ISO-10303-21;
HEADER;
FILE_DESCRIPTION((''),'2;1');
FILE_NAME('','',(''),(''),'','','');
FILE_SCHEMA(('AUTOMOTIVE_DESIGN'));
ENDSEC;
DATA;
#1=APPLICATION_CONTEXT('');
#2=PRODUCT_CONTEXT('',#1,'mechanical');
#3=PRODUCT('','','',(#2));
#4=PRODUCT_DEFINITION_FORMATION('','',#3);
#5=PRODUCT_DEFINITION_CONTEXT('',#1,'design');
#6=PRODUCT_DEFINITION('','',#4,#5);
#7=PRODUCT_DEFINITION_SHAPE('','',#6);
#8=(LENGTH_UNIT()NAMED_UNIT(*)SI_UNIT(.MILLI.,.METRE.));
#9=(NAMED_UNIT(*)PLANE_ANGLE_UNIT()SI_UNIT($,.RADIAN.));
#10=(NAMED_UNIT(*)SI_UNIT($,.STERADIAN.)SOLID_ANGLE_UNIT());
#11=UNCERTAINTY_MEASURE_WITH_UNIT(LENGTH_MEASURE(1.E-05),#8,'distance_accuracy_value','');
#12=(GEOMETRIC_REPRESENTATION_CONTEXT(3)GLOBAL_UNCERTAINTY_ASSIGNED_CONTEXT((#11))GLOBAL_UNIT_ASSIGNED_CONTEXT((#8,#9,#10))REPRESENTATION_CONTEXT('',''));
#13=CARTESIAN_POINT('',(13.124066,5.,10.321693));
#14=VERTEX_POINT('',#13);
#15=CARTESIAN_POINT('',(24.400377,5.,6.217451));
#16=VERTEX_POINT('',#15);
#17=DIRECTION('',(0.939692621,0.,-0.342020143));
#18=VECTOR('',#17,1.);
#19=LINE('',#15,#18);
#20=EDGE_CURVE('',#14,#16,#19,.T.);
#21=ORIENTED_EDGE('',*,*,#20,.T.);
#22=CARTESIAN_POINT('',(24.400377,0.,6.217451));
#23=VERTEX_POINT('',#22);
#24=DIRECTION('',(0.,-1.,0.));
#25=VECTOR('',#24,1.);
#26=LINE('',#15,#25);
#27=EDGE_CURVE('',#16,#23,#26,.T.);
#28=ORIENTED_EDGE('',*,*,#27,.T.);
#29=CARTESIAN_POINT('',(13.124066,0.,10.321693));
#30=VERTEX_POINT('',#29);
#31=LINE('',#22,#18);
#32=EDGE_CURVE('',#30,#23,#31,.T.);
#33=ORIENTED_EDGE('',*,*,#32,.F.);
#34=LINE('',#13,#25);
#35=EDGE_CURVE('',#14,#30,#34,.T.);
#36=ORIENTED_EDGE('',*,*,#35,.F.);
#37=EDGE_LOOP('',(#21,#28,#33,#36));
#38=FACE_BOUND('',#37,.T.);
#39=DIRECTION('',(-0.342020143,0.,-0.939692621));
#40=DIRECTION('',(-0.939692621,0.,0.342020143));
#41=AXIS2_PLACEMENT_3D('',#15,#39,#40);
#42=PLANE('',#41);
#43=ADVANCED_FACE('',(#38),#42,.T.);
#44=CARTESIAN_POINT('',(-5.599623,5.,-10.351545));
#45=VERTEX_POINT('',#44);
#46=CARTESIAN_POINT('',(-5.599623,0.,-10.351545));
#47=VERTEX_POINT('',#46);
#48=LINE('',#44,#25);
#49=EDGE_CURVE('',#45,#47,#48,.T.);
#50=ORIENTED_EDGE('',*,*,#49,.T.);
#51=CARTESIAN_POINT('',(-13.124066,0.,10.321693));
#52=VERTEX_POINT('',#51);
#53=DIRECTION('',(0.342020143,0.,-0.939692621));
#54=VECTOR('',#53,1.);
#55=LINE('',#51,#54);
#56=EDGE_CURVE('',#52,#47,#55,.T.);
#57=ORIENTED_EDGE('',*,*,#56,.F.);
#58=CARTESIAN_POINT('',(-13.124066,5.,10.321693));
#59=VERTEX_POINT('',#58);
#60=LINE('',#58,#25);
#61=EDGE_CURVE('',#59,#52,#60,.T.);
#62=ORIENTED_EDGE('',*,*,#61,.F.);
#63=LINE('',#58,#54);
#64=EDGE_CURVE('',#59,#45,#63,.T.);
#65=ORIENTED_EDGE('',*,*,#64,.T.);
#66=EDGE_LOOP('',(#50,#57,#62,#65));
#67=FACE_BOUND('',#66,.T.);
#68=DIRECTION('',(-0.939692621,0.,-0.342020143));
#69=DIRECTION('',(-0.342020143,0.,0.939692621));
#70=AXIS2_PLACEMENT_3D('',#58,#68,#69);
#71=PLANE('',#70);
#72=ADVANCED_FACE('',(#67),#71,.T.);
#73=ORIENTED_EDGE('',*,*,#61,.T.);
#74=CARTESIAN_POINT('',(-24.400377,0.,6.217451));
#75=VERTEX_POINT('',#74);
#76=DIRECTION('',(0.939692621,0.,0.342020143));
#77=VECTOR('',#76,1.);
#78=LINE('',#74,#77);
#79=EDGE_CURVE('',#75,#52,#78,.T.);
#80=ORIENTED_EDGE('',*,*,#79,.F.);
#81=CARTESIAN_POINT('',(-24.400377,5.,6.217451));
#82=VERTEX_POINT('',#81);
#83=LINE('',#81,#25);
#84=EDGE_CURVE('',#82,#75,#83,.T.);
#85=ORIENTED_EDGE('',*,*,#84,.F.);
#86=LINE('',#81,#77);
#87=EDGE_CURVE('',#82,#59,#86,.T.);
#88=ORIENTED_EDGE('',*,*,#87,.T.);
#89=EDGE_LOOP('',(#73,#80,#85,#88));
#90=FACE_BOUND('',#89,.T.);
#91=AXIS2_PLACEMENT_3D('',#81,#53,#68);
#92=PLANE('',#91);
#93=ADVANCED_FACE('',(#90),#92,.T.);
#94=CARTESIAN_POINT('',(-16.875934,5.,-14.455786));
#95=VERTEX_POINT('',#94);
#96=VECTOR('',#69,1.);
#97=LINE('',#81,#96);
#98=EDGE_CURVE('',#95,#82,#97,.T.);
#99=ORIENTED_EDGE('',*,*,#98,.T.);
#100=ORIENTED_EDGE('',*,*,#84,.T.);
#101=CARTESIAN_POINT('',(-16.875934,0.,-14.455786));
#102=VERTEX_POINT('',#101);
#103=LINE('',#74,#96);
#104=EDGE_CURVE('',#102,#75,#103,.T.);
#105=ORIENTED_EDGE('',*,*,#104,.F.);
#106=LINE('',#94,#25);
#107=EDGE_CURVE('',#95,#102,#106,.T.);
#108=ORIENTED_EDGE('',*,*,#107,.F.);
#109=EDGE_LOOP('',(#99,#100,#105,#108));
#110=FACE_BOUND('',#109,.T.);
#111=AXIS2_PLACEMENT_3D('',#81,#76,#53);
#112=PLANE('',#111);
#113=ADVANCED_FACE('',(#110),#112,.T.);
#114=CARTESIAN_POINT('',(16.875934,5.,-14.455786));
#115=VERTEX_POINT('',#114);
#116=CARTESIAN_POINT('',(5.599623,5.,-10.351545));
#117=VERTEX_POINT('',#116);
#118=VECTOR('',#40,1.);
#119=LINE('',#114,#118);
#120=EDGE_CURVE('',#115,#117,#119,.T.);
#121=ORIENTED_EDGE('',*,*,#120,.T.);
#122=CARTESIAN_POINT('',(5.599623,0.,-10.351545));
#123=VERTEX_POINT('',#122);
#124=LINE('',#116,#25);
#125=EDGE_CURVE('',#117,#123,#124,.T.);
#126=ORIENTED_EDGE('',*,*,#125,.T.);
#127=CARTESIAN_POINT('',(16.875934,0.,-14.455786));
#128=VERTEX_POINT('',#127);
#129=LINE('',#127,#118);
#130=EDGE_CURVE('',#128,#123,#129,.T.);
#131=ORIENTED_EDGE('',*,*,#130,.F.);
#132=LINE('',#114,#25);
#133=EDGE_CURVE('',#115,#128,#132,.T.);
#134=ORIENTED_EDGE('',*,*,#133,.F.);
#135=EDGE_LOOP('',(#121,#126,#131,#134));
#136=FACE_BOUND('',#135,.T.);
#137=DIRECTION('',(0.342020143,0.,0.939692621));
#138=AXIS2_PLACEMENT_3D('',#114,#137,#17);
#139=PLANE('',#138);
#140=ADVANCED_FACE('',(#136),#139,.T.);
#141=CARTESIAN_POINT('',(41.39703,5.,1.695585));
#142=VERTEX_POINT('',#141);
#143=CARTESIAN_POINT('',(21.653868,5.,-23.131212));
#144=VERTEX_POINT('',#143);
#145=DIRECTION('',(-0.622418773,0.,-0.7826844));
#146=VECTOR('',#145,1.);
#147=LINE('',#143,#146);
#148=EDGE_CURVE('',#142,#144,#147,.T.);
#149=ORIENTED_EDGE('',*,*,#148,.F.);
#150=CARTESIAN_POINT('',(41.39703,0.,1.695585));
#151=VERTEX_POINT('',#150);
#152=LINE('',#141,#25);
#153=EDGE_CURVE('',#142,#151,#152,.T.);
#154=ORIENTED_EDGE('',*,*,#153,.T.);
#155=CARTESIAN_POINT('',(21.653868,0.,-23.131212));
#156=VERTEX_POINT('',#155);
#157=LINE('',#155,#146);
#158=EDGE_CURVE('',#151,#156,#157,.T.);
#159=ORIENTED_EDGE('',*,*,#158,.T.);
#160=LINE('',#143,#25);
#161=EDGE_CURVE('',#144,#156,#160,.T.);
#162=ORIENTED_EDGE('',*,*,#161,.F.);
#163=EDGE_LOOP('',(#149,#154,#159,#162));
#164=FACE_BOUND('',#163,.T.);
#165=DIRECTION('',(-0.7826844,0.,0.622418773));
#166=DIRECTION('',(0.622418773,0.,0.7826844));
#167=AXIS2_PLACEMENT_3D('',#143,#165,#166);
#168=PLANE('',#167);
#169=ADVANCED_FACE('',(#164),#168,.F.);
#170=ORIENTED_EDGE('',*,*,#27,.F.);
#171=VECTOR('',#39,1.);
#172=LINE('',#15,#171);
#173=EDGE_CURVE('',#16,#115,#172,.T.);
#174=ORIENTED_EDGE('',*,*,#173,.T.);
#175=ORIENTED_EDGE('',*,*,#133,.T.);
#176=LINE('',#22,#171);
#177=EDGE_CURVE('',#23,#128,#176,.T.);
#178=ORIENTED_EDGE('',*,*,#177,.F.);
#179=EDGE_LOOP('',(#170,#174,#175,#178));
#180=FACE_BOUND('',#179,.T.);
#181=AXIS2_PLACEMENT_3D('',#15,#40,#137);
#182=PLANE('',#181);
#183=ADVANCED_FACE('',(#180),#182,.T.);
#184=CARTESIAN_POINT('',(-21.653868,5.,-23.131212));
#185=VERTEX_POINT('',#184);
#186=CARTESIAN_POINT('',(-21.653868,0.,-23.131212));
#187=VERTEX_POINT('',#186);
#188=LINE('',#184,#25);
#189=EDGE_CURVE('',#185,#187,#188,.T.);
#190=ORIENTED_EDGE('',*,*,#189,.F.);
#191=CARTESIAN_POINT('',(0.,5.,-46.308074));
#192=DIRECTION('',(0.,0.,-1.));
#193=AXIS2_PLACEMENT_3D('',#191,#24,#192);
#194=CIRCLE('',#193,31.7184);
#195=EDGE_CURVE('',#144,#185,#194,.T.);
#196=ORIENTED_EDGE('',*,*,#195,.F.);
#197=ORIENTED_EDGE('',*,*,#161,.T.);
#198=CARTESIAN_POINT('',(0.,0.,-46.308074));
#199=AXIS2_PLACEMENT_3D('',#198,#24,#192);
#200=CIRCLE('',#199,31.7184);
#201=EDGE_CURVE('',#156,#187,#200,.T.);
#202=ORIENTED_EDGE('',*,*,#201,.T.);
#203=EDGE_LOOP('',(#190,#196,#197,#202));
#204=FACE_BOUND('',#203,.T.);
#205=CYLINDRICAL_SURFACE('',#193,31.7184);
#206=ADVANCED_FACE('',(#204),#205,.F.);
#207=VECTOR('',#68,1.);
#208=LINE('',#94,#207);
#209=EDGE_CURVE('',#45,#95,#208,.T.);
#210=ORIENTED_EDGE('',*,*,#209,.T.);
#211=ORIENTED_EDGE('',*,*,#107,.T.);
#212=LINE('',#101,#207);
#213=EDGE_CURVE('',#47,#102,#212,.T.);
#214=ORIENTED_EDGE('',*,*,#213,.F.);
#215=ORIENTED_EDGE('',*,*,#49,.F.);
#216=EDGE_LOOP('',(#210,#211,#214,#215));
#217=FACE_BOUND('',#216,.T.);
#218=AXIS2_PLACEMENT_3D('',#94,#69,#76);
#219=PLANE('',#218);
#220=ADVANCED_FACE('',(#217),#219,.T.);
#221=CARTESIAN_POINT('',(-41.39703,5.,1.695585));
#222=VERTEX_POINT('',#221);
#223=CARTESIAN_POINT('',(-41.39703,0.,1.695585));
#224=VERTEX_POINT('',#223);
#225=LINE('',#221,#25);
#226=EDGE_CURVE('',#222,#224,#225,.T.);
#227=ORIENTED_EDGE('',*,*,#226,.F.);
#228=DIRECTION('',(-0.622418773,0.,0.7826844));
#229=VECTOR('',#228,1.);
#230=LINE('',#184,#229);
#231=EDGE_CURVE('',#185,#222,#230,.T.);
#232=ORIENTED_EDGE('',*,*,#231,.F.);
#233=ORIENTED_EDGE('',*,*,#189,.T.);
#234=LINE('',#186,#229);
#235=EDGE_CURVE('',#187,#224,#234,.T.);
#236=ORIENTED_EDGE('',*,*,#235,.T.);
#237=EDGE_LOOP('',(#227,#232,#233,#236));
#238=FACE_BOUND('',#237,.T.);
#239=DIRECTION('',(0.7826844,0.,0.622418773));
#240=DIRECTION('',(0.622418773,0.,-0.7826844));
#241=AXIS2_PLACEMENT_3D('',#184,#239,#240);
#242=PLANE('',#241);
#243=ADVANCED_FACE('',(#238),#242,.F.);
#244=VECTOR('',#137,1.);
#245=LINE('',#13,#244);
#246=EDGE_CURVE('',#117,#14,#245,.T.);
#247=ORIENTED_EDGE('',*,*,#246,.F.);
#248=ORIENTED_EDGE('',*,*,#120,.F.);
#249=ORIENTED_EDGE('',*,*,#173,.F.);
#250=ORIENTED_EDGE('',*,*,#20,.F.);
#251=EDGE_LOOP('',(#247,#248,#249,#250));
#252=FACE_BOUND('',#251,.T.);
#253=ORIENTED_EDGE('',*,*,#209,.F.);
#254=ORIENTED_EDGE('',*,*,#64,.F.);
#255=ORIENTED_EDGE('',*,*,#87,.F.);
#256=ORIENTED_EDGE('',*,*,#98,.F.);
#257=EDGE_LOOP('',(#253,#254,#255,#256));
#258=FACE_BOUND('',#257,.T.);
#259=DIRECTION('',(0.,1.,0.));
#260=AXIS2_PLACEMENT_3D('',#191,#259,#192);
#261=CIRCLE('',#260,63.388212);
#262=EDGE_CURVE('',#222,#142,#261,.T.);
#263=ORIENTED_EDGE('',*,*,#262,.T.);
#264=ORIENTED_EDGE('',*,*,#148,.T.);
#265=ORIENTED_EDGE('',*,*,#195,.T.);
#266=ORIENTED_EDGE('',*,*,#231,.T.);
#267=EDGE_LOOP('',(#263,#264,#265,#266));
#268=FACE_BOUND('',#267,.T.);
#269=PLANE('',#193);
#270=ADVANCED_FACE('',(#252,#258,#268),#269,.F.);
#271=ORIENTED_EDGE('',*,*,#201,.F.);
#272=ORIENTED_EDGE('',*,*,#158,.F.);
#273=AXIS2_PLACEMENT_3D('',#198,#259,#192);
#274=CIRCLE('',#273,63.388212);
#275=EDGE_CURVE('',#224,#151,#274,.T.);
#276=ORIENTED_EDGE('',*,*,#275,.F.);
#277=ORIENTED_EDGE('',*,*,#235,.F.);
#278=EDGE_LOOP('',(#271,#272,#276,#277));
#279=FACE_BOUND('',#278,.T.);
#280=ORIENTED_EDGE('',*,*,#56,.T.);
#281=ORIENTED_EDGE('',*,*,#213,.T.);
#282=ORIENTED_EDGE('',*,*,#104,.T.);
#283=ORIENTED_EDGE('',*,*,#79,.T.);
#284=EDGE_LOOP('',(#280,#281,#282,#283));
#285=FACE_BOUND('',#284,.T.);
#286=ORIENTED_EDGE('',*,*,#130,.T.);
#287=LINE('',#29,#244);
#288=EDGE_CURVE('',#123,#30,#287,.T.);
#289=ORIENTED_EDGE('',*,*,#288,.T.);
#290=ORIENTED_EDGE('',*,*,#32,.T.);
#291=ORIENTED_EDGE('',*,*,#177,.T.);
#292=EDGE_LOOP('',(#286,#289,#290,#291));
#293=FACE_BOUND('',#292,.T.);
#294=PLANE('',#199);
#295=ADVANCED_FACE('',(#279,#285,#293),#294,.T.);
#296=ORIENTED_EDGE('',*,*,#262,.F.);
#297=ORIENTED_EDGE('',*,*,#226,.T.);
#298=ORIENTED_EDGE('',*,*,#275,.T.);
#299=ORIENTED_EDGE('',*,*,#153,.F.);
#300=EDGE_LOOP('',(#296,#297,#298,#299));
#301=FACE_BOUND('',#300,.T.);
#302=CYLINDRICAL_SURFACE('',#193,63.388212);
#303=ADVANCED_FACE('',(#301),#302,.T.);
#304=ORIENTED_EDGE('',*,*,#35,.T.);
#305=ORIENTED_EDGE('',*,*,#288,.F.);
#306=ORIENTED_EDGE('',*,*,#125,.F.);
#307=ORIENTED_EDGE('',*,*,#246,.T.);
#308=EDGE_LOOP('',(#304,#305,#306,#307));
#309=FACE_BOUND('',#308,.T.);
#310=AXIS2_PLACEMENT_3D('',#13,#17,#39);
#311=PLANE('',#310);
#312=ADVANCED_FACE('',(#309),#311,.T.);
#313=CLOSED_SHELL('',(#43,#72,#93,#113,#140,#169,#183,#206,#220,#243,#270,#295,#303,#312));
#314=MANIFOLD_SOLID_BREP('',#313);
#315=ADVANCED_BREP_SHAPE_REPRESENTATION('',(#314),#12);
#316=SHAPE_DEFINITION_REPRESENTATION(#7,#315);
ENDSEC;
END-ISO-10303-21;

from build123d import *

# Parameters (mm, degrees)
EXTRUDE_1_DEPTH = 5


with BuildPart() as part:
    # 草图1 → 凸台-拉伸1 (new body)
    with BuildSketch(Plane(origin=(0, 0, 0), x_dir=(1, 0, 0), z_dir=(0, 1, 0))):
        with BuildLine():
            Line((-21.653867872, 23.131212261), (-41.397029955, -1.695585454))
            ThreePointArc((-41.397029955, -1.695585454), (0, -17.080137941), (41.397029955, -1.695585454))
            Line((41.397029955, -1.695585454), (21.653867872, 23.131212261))
            ThreePointArc((21.653867872, 23.131212261), (0, 14.589673731), (-21.653867872, 23.131212261))
        make_face()
        Polygon((-24.400377301, -6.217451313), (-13.124065852, -10.321693033), (-5.599622699, 10.351544624), (-16.875934148, 14.455786344), align=None, mode=Mode.SUBTRACT)
        Polygon((16.875934148, 14.455786344), (5.599622699, 10.351544624), (13.124065852, -10.321693033), (24.400377301, -6.217451313), align=None, mode=Mode.SUBTRACT)
    extrude(amount=EXTRUDE_1_DEPTH)


solid = part.part
